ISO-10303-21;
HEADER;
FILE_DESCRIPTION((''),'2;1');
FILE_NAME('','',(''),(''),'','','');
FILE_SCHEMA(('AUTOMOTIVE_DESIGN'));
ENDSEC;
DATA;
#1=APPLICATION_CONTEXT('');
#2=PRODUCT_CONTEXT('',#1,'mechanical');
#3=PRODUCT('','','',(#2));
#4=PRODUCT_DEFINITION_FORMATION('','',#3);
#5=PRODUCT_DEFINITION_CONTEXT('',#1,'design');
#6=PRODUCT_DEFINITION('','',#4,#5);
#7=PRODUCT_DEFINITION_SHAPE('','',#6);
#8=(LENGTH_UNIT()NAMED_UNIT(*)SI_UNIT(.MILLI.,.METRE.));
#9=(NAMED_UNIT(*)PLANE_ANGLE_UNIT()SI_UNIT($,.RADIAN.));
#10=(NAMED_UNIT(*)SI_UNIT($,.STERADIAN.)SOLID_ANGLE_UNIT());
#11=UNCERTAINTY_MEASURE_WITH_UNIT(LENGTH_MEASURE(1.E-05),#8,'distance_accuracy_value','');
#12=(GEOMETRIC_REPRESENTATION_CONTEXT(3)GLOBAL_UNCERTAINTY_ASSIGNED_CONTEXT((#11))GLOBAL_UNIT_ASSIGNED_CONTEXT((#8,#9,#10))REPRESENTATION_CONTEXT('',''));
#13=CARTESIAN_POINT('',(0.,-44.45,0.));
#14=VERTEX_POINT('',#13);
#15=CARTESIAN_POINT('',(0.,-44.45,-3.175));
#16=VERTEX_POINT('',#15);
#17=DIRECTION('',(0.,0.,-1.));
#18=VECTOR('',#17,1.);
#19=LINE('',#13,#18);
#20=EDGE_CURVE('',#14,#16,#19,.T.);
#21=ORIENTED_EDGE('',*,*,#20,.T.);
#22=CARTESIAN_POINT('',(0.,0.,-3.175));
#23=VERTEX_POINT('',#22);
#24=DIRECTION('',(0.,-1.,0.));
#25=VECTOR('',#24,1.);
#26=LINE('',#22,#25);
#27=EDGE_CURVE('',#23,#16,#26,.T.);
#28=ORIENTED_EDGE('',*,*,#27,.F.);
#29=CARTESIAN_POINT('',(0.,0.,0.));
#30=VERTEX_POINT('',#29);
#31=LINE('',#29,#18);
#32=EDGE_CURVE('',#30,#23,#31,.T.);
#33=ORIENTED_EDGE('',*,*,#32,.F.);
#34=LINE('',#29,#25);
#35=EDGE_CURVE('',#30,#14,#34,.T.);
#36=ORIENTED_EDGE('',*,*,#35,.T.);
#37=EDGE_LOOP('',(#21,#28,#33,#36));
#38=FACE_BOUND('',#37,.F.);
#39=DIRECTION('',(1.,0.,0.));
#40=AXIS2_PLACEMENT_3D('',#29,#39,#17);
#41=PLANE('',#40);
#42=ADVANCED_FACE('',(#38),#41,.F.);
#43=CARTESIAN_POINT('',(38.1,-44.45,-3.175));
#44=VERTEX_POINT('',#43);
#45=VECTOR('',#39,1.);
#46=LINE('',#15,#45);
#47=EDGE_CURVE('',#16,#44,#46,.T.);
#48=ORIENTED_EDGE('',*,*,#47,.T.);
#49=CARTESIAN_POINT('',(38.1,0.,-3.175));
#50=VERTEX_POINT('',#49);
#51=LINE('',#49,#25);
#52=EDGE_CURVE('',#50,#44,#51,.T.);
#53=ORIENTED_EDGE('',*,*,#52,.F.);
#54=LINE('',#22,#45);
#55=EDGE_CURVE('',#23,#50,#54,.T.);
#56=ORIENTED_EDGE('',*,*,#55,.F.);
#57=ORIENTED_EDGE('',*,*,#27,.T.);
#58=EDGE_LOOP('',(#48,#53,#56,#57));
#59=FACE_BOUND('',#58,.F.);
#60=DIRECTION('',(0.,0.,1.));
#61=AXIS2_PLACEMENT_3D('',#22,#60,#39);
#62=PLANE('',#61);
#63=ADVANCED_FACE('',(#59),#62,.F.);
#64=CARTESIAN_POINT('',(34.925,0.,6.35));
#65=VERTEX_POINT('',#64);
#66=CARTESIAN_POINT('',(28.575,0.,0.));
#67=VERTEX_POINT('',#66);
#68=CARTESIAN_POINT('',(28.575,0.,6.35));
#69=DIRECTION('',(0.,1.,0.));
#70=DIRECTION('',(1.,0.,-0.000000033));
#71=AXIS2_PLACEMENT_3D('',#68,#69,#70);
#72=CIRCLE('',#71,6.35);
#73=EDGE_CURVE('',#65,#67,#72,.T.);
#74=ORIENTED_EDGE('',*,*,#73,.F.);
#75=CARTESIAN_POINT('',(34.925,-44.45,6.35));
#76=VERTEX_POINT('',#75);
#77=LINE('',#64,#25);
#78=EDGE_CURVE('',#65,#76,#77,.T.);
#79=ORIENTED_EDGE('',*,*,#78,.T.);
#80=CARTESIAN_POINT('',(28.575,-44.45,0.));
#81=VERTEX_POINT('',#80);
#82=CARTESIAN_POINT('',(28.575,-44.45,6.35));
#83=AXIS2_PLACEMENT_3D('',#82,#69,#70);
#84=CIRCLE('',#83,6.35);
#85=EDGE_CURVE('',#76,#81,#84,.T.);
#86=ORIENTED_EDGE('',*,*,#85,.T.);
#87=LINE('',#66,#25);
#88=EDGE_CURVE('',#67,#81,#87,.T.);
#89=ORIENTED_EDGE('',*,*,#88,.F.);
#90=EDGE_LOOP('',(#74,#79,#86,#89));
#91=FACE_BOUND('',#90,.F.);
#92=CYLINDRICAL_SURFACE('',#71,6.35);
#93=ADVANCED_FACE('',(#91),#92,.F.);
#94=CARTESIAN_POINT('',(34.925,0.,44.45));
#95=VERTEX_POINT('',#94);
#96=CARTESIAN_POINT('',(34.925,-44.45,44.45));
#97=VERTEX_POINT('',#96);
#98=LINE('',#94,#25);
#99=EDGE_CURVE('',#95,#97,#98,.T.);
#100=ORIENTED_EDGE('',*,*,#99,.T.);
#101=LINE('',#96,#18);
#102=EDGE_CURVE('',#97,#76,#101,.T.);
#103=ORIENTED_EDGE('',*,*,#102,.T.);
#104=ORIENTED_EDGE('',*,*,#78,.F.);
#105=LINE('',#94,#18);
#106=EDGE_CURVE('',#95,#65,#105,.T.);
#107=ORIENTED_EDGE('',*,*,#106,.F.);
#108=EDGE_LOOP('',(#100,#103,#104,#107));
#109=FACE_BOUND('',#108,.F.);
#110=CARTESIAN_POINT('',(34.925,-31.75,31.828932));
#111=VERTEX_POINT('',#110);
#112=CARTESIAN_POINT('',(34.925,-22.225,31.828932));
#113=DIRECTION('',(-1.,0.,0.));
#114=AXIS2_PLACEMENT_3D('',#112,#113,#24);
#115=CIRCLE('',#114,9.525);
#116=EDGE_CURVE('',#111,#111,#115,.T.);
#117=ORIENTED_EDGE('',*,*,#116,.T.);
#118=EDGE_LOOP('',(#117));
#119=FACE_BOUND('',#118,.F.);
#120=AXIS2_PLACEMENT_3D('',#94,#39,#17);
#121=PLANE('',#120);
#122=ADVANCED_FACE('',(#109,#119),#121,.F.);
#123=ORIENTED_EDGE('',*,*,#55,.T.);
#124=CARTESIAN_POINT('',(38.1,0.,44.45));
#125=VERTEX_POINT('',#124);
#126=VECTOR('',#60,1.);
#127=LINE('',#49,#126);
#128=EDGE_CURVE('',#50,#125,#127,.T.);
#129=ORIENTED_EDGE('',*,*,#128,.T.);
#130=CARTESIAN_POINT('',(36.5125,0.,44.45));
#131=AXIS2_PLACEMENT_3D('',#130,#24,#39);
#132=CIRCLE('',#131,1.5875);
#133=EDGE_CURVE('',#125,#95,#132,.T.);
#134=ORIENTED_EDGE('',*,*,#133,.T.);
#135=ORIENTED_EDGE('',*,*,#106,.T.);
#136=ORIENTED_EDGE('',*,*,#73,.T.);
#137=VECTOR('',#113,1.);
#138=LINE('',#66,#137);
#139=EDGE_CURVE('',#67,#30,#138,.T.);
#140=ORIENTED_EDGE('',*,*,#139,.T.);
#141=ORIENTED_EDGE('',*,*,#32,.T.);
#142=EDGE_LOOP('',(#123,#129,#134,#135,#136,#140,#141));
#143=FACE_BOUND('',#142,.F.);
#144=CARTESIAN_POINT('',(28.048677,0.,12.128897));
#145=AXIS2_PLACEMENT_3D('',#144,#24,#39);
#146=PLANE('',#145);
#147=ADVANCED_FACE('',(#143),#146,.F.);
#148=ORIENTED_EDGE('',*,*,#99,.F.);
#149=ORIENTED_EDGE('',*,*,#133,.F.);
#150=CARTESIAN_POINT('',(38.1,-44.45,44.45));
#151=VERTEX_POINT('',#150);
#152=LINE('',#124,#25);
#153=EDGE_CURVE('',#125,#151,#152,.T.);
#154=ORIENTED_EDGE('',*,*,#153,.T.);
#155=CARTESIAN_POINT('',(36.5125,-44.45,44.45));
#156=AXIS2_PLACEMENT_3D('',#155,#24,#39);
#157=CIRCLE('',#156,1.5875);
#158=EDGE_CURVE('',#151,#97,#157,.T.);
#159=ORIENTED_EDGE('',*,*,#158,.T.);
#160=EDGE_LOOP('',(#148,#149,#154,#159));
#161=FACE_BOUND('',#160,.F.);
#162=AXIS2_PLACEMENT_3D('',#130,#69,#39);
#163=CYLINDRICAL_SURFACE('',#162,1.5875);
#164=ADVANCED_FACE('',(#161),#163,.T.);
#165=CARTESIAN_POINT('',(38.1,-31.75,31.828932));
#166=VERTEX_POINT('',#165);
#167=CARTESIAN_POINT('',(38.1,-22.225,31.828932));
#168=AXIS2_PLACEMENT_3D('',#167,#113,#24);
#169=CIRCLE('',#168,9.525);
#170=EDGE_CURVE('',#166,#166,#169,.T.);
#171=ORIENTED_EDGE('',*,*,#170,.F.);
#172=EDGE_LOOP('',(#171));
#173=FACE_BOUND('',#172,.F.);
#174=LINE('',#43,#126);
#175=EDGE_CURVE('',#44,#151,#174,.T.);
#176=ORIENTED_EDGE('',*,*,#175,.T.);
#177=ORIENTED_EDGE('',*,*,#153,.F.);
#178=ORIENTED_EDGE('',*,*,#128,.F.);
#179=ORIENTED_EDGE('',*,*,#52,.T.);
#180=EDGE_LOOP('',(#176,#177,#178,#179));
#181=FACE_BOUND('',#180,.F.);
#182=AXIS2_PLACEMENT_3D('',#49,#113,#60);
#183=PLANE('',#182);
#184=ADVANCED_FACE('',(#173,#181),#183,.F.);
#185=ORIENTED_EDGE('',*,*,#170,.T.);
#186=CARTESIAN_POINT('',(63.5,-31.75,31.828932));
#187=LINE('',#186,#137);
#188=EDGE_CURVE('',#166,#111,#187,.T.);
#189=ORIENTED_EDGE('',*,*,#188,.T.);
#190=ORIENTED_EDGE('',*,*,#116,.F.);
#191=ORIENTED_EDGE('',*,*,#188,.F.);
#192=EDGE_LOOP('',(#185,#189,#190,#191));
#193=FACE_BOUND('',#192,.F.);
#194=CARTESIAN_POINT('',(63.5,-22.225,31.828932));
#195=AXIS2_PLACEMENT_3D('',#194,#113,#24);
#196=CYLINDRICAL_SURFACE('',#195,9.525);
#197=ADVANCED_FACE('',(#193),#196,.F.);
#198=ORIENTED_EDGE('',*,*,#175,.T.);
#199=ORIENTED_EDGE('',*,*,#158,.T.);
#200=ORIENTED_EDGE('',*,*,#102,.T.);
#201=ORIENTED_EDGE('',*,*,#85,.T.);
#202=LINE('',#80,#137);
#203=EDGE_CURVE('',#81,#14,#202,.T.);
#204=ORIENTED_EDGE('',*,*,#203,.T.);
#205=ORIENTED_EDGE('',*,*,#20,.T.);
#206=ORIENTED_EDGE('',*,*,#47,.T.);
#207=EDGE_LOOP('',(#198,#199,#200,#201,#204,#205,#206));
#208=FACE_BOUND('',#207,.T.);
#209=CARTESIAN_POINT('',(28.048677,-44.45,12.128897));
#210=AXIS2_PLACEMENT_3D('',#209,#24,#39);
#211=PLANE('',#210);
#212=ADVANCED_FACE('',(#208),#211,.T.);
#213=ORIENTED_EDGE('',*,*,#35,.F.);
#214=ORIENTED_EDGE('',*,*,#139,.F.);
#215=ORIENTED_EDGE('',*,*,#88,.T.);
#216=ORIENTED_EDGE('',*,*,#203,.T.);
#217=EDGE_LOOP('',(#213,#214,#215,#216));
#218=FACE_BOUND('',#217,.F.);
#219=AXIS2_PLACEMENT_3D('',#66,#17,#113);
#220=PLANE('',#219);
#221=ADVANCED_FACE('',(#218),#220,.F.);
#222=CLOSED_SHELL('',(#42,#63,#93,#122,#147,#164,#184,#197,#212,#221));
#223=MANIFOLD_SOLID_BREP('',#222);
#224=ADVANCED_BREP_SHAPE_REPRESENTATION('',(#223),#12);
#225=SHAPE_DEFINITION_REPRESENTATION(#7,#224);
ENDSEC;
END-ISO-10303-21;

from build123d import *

# Parameters (mm, degrees)
F1_DEPTH = 44.45
F3_D     = 19.05
F3_DEPTH = 25.4


with BuildPart() as f1:
    # F0 (on Front) → F1 (new body)
    with BuildSketch(Plane.XZ):
        with BuildLine():
            Line((28.575, 0), (0, 0))
            Line((0, 0), (0, -3.175))
            Line((0, -3.175), (34.925, -3.175))
            Line((34.925, -3.175), (38.1, -3.175))
            Line((38.1, -3.175), (38.1, 44.45))
            ThreePointArc((38.1, 44.45), (36.5125, 46.0375), (34.925, 44.45))
            Line((34.925, 44.45), (34.925, 6.35))
            ThreePointArc((34.925, 6.35), (33.065128, 1.859872), (28.575, 0))
        make_face()
    extrude(amount=F1_DEPTH)

    # F3
    with Locations(Plane.YZ.offset(38.1)):
        with Locations((-22.225, 31.828932)):
            Hole(F3_D / 2, depth=F3_DEPTH)


solid = f1.part
